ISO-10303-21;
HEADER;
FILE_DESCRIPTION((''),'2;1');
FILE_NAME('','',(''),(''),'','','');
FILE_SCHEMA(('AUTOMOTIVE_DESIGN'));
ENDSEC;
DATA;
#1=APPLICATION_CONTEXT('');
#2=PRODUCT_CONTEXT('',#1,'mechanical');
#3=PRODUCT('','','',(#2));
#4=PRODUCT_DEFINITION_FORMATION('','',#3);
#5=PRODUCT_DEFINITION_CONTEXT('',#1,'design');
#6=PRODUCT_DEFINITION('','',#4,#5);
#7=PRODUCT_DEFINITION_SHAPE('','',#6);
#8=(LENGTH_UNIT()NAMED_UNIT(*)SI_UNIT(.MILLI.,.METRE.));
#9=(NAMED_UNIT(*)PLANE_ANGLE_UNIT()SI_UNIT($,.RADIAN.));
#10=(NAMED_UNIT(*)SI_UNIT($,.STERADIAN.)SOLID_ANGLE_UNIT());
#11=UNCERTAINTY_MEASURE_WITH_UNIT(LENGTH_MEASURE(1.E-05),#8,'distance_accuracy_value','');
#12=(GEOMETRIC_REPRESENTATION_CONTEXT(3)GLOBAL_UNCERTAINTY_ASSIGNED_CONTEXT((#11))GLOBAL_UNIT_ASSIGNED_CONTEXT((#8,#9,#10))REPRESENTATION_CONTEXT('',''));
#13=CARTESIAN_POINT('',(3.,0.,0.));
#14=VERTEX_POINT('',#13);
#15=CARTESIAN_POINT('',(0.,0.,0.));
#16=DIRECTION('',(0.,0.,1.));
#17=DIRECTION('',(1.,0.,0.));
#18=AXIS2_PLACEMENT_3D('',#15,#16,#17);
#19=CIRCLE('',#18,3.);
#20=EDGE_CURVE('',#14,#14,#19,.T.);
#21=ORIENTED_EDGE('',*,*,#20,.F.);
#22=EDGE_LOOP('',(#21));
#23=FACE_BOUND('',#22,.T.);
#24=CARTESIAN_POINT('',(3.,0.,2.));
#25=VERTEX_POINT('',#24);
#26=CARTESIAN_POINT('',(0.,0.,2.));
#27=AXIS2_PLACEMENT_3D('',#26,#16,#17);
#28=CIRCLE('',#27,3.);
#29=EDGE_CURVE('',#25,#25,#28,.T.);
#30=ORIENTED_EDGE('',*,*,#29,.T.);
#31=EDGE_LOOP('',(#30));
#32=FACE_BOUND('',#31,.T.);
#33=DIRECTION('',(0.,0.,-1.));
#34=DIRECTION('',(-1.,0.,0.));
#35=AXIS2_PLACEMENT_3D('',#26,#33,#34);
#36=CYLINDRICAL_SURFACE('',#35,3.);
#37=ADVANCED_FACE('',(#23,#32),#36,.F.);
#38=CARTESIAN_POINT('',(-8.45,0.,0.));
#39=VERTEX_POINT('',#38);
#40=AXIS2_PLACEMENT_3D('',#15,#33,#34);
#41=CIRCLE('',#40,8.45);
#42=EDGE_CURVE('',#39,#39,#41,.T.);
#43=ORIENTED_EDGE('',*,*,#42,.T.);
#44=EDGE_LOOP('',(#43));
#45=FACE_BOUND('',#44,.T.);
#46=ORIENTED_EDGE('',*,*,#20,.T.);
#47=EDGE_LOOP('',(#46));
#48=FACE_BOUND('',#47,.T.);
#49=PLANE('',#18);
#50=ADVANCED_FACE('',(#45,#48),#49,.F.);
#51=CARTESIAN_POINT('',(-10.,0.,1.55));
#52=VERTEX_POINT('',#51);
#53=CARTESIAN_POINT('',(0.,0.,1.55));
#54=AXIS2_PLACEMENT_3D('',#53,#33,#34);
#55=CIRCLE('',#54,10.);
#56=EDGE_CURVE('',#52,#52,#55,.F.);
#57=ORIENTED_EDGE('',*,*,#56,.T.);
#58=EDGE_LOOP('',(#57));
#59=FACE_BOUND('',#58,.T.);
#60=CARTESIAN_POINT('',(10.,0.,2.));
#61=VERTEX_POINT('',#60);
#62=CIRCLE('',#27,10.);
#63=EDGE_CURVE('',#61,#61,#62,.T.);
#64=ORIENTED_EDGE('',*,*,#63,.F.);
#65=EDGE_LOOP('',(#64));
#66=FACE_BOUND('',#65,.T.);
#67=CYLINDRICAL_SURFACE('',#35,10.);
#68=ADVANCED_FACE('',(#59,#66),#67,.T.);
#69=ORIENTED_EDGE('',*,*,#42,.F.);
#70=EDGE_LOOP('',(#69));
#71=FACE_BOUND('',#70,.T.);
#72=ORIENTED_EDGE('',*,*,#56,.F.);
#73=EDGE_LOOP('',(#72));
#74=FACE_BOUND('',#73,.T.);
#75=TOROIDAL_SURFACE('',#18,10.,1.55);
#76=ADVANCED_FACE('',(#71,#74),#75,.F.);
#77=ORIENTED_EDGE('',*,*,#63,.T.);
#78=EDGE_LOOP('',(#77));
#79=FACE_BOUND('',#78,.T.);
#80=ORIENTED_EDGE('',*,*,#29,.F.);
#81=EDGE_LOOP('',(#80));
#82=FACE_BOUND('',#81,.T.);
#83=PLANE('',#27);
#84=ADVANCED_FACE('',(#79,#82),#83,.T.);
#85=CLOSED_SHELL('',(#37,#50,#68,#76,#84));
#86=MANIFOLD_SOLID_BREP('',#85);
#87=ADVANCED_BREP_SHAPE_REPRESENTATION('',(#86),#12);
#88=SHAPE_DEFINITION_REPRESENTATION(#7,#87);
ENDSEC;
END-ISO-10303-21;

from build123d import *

# Parameters (mm, degrees)
SKETCH1_R           = 10
SKETCH1_R_2         = 3
BOSS_EXTRUDE1_DEPTH = 2
SKETCH2_R           = 1.55


with BuildPart() as part:
    # Sketch1 → Boss-Extrude1 (new body)
    with BuildSketch(Plane.XY):
        Circle(SKETCH1_R)
        Circle(SKETCH1_R_2, mode=Mode.SUBTRACT)
    extrude(amount=BOSS_EXTRUDE1_DEPTH)

    # Sketch2 → Cut-Revolve1 (revolve, cut)
    with BuildSketch(Plane(origin=(0, 0, 0), x_dir=(1, 0, 0), z_dir=(0, 1, 0))):
        with Locations((10, 0)):
            Circle(SKETCH2_R)
    revolve(axis=Axis((0, 0, 2), (0, 0, -1)), mode=Mode.SUBTRACT)


solid = part.part
